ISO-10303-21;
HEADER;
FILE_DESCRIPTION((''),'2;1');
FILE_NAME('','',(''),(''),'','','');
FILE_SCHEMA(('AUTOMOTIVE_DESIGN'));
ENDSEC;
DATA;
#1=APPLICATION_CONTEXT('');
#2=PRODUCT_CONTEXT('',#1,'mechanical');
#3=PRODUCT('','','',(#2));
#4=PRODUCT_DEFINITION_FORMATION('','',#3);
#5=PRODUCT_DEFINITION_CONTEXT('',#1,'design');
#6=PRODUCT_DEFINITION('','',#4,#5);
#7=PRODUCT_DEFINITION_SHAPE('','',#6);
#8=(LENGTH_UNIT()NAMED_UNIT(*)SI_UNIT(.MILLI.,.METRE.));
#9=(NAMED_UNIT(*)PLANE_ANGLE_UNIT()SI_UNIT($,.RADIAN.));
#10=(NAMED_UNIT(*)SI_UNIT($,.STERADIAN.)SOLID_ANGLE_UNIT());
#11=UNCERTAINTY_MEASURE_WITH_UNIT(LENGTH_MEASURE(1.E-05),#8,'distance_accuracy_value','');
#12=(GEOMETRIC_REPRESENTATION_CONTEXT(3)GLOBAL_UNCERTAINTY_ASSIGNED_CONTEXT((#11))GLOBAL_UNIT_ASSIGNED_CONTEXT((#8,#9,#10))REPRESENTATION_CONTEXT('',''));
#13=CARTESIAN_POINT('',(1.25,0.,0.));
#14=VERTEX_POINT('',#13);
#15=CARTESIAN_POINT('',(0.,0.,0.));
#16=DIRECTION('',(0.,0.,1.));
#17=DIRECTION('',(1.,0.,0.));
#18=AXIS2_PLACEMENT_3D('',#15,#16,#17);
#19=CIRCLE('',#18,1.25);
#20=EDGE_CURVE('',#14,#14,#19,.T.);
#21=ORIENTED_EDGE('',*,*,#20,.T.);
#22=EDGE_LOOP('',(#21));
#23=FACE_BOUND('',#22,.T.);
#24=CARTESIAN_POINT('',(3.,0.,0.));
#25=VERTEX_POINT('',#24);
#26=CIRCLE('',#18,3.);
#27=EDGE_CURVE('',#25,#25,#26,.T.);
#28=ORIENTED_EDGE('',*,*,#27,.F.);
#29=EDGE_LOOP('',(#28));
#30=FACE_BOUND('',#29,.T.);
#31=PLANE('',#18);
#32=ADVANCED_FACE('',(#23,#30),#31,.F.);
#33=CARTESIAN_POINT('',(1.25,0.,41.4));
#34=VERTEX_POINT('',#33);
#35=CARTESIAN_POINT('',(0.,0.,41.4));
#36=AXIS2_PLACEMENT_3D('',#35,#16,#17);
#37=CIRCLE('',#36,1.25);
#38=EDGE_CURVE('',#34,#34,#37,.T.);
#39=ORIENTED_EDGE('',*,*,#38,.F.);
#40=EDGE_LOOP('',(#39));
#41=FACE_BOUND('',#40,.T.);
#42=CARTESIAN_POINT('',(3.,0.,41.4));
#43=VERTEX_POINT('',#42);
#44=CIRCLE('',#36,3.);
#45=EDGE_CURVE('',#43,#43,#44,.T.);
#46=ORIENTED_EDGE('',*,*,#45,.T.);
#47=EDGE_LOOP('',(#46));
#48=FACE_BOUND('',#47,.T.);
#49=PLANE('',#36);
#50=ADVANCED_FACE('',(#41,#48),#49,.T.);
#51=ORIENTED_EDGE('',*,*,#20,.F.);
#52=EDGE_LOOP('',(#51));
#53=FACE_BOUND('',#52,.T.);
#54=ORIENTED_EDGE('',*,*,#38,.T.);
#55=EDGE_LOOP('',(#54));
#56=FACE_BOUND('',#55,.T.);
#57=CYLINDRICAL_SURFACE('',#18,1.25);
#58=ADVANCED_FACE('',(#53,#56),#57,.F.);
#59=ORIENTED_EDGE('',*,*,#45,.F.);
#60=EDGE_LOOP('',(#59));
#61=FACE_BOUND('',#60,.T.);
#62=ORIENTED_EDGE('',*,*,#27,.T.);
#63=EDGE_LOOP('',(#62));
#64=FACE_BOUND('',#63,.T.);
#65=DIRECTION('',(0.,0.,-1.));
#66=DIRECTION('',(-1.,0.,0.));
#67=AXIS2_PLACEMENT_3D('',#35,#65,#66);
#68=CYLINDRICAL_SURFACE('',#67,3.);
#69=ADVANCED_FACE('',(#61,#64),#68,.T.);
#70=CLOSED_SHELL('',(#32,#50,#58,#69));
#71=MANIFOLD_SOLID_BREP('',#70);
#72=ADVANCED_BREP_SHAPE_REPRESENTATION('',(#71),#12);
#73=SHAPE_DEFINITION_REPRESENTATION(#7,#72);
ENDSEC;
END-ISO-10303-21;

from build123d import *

# Parameters (mm, degrees)
ESBO_O1_R                = 3
RESSALTO_EXTRUS_O1_DEPTH = 41.4
ESBO_O2_R                = 1.25
CORTE_EXTRUS_O1_DEPTH    = 41.4


with BuildPart() as part:
    # Esboço1 → Ressalto-extrusão1 (new body)
    with BuildSketch(Plane.XY):
        Circle(ESBO_O1_R)
    extrude(amount=RESSALTO_EXTRUS_O1_DEPTH)

    # Esboço2 → Corte-extrusão1 (cut)
    with BuildSketch(Plane.XY.offset(41.4)):
        Circle(ESBO_O2_R)
    extrude(amount=-CORTE_EXTRUS_O1_DEPTH, mode=Mode.SUBTRACT)


solid = part.part
